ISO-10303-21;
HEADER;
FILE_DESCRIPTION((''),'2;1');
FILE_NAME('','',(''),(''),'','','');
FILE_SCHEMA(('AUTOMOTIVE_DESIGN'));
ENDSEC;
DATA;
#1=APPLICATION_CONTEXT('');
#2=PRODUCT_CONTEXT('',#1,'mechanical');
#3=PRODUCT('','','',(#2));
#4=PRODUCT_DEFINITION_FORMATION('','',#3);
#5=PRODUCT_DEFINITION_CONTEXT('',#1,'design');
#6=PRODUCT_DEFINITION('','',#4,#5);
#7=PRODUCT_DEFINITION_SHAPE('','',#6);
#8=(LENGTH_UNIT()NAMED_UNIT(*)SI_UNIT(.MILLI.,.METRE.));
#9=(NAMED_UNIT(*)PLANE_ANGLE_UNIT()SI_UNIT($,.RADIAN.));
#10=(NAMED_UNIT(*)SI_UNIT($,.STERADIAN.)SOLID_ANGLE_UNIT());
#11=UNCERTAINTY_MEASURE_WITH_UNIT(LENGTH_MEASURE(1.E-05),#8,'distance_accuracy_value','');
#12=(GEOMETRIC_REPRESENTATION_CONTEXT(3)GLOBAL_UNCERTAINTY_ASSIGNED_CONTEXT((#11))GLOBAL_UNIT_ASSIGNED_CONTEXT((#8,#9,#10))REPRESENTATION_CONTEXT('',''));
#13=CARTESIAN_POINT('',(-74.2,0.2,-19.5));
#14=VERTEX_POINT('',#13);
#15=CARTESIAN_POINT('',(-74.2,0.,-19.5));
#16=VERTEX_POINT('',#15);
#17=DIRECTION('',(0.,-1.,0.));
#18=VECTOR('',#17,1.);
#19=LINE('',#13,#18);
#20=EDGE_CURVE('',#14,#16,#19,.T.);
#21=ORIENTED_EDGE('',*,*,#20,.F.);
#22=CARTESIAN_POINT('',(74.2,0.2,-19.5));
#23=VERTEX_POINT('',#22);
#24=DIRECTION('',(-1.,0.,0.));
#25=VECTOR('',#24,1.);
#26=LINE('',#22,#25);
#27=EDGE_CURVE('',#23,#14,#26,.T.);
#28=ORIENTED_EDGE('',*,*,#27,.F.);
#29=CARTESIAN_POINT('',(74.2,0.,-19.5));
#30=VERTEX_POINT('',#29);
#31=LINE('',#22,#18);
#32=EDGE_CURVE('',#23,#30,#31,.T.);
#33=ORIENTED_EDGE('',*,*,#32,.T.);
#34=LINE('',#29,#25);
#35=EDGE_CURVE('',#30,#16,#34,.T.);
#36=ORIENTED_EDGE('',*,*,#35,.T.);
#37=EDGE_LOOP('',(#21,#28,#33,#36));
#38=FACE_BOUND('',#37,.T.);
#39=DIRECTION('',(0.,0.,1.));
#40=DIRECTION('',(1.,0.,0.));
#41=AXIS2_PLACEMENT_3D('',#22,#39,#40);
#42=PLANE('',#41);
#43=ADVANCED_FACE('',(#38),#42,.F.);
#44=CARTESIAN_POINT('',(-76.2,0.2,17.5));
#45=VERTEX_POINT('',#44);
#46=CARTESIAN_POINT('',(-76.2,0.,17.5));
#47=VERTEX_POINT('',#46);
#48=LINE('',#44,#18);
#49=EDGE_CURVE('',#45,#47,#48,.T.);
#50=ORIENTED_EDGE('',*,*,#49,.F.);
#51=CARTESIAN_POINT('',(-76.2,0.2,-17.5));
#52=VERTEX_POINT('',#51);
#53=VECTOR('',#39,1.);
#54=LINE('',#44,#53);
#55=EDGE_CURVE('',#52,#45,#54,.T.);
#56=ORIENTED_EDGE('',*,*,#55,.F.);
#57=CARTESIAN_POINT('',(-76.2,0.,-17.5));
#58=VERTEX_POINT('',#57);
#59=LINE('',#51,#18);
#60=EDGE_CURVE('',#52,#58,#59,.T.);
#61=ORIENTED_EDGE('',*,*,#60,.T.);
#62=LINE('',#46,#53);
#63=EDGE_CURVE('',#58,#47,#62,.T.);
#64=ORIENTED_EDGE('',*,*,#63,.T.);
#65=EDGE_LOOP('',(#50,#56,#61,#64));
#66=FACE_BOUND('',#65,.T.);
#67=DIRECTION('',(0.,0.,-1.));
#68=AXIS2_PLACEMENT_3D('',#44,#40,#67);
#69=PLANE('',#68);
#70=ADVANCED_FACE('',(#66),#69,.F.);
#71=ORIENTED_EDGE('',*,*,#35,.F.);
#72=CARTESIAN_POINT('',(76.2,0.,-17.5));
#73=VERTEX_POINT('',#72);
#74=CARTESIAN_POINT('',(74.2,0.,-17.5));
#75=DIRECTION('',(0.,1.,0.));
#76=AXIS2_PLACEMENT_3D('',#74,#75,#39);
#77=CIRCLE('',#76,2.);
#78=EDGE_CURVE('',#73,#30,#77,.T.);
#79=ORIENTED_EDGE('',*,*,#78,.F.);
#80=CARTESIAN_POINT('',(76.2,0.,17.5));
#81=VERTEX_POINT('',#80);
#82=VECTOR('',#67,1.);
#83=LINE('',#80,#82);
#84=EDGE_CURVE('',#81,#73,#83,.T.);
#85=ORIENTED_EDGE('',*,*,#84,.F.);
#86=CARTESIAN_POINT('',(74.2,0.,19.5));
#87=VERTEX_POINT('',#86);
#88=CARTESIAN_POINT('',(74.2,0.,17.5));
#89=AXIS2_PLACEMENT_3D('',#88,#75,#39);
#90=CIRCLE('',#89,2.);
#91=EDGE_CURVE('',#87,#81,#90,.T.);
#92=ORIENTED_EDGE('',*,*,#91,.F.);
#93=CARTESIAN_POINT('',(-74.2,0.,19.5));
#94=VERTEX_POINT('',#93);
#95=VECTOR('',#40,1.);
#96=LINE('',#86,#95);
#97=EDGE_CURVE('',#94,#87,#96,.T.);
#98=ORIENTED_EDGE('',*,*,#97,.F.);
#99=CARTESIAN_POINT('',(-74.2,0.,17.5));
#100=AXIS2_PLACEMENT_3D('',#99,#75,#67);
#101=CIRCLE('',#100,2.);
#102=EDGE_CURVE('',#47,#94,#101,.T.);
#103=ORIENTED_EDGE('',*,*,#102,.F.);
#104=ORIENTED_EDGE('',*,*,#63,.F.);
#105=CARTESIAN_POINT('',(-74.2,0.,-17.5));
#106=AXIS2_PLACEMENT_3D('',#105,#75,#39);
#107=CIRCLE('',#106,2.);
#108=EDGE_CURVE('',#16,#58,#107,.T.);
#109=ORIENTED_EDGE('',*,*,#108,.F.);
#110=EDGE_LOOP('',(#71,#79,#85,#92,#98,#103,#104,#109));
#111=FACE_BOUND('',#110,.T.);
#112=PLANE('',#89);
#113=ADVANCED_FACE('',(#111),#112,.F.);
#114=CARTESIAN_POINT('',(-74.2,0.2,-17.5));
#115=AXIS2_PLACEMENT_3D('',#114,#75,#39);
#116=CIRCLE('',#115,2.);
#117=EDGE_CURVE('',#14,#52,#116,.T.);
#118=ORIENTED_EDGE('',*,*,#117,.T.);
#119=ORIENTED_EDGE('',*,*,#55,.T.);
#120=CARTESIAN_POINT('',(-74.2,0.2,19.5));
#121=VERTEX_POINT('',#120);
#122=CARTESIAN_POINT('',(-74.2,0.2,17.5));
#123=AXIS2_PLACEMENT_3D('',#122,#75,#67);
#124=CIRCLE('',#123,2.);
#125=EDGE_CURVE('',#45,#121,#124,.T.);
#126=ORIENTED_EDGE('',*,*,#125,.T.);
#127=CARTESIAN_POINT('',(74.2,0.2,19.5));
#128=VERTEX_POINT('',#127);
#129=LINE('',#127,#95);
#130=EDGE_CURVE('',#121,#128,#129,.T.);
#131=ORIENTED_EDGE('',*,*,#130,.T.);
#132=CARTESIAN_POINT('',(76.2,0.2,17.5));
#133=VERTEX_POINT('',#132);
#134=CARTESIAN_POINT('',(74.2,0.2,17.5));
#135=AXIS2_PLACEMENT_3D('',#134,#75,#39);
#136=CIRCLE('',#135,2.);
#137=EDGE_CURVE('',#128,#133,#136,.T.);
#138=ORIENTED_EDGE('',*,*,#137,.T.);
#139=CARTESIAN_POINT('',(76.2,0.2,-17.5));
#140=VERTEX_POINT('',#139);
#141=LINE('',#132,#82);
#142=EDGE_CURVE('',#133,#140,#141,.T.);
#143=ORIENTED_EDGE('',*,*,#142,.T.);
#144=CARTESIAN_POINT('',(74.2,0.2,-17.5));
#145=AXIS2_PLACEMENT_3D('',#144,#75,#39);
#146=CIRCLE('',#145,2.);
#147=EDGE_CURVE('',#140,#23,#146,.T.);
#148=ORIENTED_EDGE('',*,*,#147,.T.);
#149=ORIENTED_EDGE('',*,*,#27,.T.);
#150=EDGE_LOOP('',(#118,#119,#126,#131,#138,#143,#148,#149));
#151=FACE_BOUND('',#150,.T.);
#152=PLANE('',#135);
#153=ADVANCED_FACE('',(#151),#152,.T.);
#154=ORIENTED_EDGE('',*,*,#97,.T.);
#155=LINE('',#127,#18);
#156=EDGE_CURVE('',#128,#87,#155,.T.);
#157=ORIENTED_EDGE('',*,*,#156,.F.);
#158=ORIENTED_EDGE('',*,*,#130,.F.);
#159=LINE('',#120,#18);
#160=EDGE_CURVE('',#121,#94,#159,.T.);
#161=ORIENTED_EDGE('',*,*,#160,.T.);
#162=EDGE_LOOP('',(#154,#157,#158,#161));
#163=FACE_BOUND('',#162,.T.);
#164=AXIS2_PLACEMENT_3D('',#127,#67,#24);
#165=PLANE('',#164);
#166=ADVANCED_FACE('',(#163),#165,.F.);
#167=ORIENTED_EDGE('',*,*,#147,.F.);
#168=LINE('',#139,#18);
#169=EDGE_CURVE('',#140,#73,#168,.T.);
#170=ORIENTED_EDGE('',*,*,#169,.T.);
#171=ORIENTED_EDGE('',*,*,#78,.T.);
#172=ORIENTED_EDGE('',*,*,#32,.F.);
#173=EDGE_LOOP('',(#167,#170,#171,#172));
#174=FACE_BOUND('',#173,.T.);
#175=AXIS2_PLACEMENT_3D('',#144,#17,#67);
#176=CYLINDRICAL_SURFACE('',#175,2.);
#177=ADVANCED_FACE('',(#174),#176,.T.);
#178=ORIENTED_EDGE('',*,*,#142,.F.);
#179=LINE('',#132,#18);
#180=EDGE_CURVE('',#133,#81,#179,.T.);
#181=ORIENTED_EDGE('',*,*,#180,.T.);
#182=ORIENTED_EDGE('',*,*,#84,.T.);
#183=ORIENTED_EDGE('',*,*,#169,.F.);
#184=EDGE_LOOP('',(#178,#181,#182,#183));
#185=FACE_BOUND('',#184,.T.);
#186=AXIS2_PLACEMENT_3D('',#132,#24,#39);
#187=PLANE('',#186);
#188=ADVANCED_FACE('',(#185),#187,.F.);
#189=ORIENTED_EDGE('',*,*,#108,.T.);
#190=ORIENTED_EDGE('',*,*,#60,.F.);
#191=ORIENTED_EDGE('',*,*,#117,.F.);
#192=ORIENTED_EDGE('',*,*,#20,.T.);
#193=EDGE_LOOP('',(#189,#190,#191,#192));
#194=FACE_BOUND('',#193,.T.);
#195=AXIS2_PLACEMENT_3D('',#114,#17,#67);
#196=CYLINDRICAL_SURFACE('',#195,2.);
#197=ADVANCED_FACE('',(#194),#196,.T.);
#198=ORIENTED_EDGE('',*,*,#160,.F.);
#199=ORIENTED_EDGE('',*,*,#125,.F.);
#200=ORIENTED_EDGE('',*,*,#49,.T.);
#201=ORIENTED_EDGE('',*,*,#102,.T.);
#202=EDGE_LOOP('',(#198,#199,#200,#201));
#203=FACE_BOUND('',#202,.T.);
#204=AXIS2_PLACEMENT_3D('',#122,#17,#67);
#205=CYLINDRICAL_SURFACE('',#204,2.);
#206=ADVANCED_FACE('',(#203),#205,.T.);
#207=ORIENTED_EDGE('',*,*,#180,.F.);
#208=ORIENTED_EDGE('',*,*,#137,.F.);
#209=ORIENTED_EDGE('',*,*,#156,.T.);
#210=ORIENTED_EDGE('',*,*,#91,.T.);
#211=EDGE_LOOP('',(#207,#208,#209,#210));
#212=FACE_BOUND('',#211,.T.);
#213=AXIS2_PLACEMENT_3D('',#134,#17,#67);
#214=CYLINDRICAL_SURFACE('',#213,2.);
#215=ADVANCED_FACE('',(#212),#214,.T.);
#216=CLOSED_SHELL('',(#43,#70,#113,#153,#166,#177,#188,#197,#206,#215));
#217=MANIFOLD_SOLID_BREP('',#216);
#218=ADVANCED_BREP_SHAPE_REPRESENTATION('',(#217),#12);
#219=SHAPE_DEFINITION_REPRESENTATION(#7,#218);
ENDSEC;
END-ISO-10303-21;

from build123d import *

# Parameters (mm, degrees)
EXTRUDE_1_DEPTH = 0.2


with BuildPart() as part:
    # Эскиз2 → Бобышка-Вытянуть1 (new body)
    with BuildSketch(Plane(origin=(0, 0, 0), x_dir=(1, 0, 0), z_dir=(0, 1, 0))):
        with BuildLine():
            Line((74.2, -19.5), (-74.2, -19.5))
            ThreePointArc((-74.2, -19.5), (-75.614213562, -18.914213562), (-76.2, -17.5))
            Line((-76.2, -17.5), (-76.2, 17.5))
            ThreePointArc((-76.2, 17.5), (-75.614213562, 18.914213562), (-74.2, 19.5))
            Line((-74.2, 19.5), (74.2, 19.5))
            ThreePointArc((74.2, 19.5), (75.614213562, 18.914213562), (76.2, 17.5))
            Line((76.2, 17.5), (76.2, -17.5))
            ThreePointArc((76.2, -17.5), (75.614213562, -18.914213562), (74.2, -19.5))
        make_face()
    extrude(amount=EXTRUDE_1_DEPTH)


solid = part.part
